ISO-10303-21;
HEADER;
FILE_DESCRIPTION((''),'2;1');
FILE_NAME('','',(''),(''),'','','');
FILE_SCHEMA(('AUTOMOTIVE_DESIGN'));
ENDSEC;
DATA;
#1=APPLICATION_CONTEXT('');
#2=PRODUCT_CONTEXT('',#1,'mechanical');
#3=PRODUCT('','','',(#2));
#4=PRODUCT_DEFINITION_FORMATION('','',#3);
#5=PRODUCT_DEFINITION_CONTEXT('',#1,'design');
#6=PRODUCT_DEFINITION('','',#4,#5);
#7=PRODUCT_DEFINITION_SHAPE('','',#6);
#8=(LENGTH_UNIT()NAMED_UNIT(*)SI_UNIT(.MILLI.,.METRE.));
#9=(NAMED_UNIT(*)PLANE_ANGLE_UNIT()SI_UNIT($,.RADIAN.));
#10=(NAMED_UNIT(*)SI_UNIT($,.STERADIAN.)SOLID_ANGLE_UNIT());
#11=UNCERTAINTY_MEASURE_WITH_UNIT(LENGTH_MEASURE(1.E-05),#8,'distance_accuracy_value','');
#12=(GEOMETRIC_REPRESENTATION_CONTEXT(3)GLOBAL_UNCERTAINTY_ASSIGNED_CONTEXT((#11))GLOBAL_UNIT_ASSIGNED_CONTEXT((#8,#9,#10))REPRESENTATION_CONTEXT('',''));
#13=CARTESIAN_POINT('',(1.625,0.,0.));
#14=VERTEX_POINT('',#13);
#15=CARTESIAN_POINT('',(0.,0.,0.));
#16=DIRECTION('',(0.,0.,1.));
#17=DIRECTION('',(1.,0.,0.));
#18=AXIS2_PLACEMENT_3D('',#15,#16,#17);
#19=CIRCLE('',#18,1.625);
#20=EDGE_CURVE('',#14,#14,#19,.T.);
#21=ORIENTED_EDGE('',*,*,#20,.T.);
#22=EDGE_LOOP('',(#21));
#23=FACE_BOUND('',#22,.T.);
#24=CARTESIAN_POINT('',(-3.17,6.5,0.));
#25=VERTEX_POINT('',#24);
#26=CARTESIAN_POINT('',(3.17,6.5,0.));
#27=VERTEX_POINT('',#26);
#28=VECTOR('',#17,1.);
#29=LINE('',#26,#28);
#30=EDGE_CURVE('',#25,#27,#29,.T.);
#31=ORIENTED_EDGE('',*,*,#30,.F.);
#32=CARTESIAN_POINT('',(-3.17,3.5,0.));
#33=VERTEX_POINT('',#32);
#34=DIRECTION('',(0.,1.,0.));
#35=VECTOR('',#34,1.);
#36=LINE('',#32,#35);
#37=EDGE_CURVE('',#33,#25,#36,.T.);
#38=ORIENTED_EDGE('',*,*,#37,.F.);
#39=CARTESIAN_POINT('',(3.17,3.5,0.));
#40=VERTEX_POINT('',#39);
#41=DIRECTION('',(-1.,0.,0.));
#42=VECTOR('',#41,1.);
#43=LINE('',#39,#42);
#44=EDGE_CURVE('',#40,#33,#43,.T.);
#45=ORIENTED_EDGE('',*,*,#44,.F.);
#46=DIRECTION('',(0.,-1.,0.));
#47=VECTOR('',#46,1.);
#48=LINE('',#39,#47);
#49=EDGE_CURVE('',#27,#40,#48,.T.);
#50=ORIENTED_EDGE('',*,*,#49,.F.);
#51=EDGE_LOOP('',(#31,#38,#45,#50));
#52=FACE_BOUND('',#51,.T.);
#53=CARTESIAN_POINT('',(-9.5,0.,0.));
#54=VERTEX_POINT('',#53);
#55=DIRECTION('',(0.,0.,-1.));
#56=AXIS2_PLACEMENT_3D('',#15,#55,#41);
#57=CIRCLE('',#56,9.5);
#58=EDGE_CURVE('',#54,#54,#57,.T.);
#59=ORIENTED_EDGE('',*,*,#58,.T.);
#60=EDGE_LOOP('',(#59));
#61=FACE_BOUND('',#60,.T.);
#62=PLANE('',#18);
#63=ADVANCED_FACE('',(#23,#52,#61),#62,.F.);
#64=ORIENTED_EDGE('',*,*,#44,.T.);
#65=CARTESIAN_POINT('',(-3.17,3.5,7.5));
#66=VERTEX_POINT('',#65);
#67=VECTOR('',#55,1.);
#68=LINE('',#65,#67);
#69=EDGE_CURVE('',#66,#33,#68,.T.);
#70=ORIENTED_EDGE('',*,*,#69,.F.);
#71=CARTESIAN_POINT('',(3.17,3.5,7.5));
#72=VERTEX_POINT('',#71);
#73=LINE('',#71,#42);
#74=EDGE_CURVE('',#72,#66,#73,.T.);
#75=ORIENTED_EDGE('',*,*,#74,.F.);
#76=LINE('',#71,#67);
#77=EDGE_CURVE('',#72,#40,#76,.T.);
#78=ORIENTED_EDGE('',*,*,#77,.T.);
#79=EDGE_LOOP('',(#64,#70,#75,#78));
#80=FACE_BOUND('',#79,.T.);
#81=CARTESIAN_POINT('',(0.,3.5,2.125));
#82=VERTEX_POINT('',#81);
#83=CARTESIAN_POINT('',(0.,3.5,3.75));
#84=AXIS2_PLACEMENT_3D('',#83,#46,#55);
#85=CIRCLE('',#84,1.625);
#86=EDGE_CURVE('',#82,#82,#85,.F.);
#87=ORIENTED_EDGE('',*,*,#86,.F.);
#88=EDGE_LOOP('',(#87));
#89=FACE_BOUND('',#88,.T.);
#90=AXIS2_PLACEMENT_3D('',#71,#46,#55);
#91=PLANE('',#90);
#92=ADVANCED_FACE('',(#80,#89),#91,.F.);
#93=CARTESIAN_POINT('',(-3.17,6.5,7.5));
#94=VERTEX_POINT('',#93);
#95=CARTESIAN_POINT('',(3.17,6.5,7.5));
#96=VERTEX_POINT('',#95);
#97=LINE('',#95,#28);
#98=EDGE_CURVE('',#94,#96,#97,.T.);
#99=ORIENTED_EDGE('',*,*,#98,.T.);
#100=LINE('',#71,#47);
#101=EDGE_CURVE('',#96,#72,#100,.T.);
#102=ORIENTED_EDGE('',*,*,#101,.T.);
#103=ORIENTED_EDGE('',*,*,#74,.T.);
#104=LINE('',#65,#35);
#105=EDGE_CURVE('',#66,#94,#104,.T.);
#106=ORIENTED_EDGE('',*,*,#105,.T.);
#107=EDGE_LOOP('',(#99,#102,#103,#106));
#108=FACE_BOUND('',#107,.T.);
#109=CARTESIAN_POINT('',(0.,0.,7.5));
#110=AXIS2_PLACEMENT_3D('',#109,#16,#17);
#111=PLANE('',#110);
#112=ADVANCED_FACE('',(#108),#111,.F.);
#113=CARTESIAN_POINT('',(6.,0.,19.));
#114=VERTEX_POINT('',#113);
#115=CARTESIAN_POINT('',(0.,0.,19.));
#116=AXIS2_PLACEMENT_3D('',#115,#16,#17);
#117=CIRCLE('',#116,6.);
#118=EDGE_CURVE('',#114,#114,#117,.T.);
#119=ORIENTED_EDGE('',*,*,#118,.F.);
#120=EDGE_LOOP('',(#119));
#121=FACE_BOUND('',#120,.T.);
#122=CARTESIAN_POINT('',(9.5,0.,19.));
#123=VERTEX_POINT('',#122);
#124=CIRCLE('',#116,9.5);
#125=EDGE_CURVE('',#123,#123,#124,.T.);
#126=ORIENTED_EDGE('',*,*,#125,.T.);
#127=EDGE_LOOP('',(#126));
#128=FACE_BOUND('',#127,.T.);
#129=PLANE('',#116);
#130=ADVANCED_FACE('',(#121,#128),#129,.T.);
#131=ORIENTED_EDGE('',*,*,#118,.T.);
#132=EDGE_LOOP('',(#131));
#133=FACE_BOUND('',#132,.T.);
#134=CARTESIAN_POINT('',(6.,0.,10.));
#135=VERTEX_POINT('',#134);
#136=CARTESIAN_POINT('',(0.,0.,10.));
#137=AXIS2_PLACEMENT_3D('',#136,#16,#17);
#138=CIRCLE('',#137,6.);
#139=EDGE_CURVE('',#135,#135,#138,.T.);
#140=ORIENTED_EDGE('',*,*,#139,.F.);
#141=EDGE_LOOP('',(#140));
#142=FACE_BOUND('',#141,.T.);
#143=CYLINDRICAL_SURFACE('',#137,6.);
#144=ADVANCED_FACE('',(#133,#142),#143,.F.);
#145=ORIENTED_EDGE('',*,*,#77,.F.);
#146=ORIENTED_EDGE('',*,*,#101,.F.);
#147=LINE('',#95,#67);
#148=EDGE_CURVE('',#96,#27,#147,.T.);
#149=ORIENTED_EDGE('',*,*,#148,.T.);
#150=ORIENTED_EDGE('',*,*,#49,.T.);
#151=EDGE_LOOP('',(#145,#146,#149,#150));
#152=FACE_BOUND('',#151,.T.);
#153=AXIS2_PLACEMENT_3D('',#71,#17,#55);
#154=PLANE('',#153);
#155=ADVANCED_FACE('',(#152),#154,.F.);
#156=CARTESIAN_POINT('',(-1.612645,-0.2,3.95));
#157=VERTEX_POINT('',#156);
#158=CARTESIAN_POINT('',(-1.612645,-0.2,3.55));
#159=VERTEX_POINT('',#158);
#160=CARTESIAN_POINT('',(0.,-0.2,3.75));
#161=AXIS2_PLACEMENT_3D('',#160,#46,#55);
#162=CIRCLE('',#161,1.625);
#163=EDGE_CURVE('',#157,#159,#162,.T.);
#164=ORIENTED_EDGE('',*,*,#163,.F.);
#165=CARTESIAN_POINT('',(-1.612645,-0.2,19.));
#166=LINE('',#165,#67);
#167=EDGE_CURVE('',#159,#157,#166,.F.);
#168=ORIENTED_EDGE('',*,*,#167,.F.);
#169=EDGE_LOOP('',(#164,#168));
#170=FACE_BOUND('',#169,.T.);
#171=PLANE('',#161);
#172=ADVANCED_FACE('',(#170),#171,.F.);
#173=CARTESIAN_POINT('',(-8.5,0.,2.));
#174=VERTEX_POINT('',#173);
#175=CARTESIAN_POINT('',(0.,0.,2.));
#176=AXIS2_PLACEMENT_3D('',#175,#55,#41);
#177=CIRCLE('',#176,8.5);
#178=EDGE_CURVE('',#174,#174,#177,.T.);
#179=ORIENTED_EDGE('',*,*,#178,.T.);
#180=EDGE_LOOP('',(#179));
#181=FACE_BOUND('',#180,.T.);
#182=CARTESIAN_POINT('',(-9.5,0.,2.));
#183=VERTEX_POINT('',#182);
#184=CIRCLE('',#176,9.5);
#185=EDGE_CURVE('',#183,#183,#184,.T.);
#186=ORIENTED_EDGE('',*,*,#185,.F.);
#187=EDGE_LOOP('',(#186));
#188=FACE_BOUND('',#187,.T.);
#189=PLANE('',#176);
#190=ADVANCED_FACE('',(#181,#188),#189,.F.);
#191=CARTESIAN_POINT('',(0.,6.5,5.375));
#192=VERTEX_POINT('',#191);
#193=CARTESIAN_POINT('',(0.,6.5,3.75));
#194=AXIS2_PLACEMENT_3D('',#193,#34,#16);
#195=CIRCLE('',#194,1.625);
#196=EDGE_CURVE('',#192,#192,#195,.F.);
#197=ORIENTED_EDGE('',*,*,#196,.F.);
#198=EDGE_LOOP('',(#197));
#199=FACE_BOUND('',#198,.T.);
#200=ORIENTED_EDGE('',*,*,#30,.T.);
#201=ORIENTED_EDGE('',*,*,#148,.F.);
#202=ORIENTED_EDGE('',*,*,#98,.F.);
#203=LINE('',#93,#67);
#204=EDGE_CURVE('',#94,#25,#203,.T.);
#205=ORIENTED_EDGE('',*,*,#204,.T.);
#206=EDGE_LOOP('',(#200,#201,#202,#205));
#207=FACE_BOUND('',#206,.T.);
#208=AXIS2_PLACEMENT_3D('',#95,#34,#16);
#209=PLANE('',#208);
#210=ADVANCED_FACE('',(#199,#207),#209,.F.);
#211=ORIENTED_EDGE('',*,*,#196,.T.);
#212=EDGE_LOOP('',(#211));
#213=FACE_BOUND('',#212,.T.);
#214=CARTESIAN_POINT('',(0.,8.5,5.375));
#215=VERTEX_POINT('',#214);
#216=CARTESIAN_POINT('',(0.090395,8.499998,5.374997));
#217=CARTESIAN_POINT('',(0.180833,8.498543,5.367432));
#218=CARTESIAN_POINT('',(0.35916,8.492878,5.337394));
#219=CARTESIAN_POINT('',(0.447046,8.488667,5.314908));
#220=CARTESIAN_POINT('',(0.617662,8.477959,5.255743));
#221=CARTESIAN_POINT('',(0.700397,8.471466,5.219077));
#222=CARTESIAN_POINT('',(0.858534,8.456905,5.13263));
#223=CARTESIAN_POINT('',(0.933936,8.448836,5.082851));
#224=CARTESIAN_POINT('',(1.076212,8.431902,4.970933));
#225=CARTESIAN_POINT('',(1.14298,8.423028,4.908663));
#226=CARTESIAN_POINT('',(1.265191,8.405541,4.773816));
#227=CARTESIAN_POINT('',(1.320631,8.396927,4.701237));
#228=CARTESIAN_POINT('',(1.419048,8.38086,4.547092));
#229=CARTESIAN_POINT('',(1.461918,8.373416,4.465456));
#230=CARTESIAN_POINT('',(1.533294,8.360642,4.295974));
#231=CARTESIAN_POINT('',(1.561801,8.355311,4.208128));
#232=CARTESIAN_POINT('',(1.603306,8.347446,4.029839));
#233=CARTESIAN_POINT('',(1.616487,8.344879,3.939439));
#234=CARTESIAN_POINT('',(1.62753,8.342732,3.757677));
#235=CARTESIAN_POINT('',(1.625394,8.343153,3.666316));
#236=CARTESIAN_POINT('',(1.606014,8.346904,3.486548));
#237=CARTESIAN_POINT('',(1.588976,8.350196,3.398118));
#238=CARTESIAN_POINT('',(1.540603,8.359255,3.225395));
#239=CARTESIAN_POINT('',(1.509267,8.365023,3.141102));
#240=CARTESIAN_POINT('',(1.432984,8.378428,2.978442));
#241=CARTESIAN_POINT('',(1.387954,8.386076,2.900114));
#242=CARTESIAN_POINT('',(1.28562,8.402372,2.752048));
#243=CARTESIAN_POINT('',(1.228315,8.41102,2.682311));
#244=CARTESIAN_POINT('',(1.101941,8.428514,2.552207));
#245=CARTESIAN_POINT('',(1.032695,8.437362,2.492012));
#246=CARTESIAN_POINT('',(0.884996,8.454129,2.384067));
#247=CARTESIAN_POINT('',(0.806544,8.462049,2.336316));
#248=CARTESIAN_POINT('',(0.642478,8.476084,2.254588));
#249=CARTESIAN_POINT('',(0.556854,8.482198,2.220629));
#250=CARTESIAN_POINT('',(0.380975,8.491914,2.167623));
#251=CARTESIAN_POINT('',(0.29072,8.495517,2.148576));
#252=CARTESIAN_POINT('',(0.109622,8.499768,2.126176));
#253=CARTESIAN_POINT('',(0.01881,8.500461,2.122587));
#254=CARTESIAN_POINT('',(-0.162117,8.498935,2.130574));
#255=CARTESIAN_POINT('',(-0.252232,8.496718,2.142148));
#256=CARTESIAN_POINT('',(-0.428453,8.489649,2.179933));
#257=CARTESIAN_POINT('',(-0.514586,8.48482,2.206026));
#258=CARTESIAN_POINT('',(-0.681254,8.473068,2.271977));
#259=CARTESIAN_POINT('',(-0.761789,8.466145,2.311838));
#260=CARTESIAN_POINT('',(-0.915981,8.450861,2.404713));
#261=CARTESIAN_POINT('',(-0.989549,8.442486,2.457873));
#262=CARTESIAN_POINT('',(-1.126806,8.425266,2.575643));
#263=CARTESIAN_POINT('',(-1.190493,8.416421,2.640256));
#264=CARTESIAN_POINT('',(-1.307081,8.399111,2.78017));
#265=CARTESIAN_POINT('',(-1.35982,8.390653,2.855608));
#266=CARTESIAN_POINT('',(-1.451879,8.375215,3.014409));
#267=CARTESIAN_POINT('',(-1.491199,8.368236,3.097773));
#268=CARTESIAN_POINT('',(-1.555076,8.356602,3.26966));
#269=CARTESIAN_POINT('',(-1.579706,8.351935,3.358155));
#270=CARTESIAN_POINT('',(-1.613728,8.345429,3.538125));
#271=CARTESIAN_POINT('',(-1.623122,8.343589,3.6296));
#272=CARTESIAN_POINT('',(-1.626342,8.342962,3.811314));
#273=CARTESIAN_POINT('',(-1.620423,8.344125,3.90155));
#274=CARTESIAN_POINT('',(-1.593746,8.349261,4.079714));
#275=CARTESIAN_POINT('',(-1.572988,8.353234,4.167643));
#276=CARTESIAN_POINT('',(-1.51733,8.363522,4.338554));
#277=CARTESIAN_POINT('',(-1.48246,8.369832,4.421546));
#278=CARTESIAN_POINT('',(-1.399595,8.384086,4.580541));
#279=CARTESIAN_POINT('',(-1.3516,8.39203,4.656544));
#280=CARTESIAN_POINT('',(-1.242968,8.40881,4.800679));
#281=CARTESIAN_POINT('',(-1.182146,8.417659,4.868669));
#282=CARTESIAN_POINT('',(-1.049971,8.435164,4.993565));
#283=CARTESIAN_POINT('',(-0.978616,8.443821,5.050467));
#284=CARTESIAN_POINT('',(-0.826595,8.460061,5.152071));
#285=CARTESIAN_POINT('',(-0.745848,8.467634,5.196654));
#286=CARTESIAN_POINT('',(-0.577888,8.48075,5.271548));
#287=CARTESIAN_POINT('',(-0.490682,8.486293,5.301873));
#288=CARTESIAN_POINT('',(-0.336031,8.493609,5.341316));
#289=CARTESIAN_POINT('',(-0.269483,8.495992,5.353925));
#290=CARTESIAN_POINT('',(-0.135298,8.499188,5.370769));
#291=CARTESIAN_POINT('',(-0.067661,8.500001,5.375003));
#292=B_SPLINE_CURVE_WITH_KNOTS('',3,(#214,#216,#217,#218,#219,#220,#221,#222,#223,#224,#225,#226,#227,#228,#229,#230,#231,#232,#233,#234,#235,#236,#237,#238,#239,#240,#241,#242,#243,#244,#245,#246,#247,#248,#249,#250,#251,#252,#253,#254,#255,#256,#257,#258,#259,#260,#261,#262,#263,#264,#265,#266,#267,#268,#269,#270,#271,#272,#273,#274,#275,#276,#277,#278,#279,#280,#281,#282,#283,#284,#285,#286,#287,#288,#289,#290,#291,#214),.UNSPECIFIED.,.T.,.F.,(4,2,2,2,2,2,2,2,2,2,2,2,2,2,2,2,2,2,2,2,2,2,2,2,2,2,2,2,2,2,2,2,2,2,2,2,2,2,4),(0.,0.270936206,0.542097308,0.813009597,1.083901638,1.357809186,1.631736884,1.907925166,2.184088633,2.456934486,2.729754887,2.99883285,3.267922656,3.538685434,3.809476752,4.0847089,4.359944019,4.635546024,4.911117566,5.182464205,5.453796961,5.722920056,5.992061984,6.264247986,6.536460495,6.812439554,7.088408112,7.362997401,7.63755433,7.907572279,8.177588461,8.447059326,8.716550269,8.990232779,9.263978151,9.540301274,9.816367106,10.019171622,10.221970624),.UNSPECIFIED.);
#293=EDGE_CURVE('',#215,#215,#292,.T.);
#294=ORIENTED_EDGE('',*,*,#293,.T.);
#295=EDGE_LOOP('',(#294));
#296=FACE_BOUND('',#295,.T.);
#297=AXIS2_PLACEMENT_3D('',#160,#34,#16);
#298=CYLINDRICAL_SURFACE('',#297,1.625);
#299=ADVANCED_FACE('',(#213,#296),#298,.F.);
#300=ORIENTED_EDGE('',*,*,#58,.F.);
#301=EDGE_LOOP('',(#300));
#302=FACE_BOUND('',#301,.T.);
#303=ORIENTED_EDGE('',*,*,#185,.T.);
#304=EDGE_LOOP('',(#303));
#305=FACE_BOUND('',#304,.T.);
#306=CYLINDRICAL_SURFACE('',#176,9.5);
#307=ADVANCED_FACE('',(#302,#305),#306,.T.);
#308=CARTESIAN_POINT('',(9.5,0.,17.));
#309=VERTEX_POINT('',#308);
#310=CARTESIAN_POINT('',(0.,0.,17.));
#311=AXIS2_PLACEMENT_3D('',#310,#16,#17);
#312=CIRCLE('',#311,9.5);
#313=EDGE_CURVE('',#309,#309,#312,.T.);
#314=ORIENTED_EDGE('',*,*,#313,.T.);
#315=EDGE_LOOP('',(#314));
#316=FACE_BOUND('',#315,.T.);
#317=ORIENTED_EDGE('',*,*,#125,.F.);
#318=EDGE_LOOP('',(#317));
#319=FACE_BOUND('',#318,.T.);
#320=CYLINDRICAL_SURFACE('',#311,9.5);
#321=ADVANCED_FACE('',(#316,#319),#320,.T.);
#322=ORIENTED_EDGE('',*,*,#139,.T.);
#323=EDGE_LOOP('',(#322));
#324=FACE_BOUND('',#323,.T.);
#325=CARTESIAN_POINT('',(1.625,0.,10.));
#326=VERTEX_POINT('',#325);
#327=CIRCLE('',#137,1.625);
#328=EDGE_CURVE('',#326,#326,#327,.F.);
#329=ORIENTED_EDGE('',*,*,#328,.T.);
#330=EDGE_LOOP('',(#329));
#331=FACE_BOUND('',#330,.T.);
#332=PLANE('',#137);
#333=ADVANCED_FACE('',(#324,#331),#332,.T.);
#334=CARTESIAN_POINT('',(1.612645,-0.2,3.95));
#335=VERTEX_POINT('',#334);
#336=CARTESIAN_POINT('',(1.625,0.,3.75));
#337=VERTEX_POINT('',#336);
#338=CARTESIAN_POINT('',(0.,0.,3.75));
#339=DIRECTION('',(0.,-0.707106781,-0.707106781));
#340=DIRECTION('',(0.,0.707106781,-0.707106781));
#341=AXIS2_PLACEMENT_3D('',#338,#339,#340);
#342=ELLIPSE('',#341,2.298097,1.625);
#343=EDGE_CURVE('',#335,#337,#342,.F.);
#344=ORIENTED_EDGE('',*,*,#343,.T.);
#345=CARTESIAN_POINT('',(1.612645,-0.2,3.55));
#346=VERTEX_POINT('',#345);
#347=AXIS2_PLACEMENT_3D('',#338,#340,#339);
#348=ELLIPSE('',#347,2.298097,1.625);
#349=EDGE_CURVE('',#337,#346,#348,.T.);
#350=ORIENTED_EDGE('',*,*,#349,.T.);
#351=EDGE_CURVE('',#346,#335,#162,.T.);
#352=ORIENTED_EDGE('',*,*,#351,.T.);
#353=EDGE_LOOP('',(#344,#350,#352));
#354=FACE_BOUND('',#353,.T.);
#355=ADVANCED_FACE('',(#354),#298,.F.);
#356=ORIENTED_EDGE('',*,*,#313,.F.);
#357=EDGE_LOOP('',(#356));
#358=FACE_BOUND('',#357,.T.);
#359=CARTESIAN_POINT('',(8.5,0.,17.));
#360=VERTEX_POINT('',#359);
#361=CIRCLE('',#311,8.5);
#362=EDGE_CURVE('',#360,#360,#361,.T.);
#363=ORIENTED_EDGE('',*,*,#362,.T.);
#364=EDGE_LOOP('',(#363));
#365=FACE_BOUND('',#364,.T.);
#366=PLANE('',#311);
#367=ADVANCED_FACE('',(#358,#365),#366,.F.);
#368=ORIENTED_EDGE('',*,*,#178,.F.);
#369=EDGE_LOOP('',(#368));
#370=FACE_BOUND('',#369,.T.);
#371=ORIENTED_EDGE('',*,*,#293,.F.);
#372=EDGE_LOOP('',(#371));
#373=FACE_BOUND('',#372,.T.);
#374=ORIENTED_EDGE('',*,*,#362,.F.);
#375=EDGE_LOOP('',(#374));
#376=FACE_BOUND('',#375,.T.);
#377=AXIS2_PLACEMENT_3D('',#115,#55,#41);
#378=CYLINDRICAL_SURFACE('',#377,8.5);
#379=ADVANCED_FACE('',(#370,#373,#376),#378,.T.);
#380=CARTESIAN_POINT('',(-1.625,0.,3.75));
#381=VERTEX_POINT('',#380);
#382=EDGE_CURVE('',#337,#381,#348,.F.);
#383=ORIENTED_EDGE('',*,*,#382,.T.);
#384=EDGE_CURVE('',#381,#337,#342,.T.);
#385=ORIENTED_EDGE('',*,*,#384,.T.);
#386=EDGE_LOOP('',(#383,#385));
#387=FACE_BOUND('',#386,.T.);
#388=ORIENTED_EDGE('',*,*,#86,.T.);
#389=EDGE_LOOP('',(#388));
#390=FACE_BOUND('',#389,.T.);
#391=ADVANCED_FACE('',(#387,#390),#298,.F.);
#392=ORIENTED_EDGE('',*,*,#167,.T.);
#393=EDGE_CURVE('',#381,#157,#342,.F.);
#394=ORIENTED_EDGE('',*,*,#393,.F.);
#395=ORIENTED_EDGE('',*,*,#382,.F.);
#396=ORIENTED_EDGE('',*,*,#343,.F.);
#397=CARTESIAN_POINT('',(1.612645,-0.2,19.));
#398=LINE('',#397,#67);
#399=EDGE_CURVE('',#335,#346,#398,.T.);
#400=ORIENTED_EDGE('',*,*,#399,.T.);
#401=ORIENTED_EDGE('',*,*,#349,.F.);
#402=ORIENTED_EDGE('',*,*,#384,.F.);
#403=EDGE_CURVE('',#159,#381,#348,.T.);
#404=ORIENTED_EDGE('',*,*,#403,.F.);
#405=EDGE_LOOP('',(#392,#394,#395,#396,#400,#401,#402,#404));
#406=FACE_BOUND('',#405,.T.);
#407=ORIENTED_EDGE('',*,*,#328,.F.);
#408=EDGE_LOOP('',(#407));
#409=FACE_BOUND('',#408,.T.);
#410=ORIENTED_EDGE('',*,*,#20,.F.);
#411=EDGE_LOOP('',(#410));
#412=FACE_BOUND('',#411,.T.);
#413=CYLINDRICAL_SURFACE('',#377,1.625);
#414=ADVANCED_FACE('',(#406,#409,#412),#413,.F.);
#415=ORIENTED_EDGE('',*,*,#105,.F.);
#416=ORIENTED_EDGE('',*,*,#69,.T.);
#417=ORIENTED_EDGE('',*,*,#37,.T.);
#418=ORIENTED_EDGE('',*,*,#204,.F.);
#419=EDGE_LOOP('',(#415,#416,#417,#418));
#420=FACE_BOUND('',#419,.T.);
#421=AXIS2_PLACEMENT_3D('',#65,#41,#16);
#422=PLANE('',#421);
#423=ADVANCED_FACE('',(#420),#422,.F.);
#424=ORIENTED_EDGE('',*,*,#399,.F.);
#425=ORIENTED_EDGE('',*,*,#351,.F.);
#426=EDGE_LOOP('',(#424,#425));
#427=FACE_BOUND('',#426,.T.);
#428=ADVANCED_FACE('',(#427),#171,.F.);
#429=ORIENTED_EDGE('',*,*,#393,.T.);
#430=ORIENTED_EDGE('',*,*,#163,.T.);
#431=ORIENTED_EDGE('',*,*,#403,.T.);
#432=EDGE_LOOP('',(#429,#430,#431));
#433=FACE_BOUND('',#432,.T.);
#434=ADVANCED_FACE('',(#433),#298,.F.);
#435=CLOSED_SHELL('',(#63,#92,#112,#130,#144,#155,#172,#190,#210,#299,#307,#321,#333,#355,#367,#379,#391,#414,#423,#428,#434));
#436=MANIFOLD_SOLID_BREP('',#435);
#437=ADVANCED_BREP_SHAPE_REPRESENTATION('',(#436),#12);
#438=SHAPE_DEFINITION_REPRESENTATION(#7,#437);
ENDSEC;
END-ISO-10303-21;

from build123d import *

# Parameters (mm, degrees)
CROQUIS1_R                 = 8.5
SALIENTE_EXTRUIR1_DEPTH    = 19
CROQUIS2_R                 = 1.625
CORTAR_EXTRUIR1_DEPTH      = 1
CORTAR_EXTRUIR1_DEPTH_BACK = 20
CROQUIS3_W                 = 6.34
CROQUIS3_H                 = 3
CORTAR_EXTRUIR2_DEPTH      = 7.5
CROQUIS4_R                 = 9.5
CROQUIS4_R_2               = 8.5
SALIENTE_EXTRUIR2_DEPTH    = 2
CROQUIS5_R                 = 9.5
CROQUIS5_R_2               = 8.5
SALIENTE_EXTRUIR3_DEPTH    = 2
CROQUIS7_R                 = 1.625
CORTAR_EXTRUIR4_DEPTH      = 6.7
CORTAR_EXTRUIR4_DEPTH_BACK = 3
CROQUIS9_R                 = 6
CORTAR_EXTRUIR5_DEPTH      = 9


with BuildPart() as part:
    # Croquis1 → Saliente-Extruir1 (new body)
    with BuildSketch(Plane.XY):
        Circle(CROQUIS1_R)
    extrude(amount=SALIENTE_EXTRUIR1_DEPTH)

    # Croquis2 → Cortar-Extruir1 (cut, two sides)
    with BuildSketch(Plane(origin=(0, 0, 0), x_dir=(-1, 0, 0), z_dir=(0, 0, -1))) as cortar_extruir1_sk:
        Circle(CROQUIS2_R)
    extrude(amount=CORTAR_EXTRUIR1_DEPTH, mode=Mode.SUBTRACT)
    extrude(cortar_extruir1_sk.sketch, amount=-CORTAR_EXTRUIR1_DEPTH_BACK, mode=Mode.SUBTRACT)

    # Croquis3 → Cortar-Extruir2 (cut)
    with BuildSketch(Plane(origin=(0, 0, 0), x_dir=(-1, 0, 0), z_dir=(0, 0, -1))):
        with Locations((0, 5)):
            Rectangle(CROQUIS3_W, CROQUIS3_H)
    extrude(amount=-CORTAR_EXTRUIR2_DEPTH, mode=Mode.SUBTRACT)

    # Croquis4 → Saliente-Extruir2 (add)
    with BuildSketch(Plane(origin=(0, 0, 0), x_dir=(-1, 0, 0), z_dir=(0, 0, -1))):
        Circle(CROQUIS4_R)
        Circle(CROQUIS4_R_2, mode=Mode.SUBTRACT)
    extrude(amount=-SALIENTE_EXTRUIR2_DEPTH)

    # Croquis5 → Saliente-Extruir3 (add)
    with BuildSketch(Plane.XY.offset(19)):
        Circle(CROQUIS5_R)
        Circle(CROQUIS5_R_2, mode=Mode.SUBTRACT)
    extrude(amount=-SALIENTE_EXTRUIR3_DEPTH)

    # Croquis7 → Cortar-Extruir4 (cut, two sides)
    with BuildSketch(Plane.XZ.offset(-6.5)) as cortar_extruir4_sk:
        with Locations((0, 3.75)):
            Circle(CROQUIS7_R)
    extrude(amount=CORTAR_EXTRUIR4_DEPTH, mode=Mode.SUBTRACT)
    extrude(cortar_extruir4_sk.sketch, amount=-CORTAR_EXTRUIR4_DEPTH_BACK, mode=Mode.SUBTRACT)

    # Croquis9 → Cortar-Extruir5 (cut)
    with BuildSketch(Plane.XY.offset(19)):
        Circle(CROQUIS9_R)
    extrude(amount=-CORTAR_EXTRUIR5_DEPTH, mode=Mode.SUBTRACT)


solid = part.part
